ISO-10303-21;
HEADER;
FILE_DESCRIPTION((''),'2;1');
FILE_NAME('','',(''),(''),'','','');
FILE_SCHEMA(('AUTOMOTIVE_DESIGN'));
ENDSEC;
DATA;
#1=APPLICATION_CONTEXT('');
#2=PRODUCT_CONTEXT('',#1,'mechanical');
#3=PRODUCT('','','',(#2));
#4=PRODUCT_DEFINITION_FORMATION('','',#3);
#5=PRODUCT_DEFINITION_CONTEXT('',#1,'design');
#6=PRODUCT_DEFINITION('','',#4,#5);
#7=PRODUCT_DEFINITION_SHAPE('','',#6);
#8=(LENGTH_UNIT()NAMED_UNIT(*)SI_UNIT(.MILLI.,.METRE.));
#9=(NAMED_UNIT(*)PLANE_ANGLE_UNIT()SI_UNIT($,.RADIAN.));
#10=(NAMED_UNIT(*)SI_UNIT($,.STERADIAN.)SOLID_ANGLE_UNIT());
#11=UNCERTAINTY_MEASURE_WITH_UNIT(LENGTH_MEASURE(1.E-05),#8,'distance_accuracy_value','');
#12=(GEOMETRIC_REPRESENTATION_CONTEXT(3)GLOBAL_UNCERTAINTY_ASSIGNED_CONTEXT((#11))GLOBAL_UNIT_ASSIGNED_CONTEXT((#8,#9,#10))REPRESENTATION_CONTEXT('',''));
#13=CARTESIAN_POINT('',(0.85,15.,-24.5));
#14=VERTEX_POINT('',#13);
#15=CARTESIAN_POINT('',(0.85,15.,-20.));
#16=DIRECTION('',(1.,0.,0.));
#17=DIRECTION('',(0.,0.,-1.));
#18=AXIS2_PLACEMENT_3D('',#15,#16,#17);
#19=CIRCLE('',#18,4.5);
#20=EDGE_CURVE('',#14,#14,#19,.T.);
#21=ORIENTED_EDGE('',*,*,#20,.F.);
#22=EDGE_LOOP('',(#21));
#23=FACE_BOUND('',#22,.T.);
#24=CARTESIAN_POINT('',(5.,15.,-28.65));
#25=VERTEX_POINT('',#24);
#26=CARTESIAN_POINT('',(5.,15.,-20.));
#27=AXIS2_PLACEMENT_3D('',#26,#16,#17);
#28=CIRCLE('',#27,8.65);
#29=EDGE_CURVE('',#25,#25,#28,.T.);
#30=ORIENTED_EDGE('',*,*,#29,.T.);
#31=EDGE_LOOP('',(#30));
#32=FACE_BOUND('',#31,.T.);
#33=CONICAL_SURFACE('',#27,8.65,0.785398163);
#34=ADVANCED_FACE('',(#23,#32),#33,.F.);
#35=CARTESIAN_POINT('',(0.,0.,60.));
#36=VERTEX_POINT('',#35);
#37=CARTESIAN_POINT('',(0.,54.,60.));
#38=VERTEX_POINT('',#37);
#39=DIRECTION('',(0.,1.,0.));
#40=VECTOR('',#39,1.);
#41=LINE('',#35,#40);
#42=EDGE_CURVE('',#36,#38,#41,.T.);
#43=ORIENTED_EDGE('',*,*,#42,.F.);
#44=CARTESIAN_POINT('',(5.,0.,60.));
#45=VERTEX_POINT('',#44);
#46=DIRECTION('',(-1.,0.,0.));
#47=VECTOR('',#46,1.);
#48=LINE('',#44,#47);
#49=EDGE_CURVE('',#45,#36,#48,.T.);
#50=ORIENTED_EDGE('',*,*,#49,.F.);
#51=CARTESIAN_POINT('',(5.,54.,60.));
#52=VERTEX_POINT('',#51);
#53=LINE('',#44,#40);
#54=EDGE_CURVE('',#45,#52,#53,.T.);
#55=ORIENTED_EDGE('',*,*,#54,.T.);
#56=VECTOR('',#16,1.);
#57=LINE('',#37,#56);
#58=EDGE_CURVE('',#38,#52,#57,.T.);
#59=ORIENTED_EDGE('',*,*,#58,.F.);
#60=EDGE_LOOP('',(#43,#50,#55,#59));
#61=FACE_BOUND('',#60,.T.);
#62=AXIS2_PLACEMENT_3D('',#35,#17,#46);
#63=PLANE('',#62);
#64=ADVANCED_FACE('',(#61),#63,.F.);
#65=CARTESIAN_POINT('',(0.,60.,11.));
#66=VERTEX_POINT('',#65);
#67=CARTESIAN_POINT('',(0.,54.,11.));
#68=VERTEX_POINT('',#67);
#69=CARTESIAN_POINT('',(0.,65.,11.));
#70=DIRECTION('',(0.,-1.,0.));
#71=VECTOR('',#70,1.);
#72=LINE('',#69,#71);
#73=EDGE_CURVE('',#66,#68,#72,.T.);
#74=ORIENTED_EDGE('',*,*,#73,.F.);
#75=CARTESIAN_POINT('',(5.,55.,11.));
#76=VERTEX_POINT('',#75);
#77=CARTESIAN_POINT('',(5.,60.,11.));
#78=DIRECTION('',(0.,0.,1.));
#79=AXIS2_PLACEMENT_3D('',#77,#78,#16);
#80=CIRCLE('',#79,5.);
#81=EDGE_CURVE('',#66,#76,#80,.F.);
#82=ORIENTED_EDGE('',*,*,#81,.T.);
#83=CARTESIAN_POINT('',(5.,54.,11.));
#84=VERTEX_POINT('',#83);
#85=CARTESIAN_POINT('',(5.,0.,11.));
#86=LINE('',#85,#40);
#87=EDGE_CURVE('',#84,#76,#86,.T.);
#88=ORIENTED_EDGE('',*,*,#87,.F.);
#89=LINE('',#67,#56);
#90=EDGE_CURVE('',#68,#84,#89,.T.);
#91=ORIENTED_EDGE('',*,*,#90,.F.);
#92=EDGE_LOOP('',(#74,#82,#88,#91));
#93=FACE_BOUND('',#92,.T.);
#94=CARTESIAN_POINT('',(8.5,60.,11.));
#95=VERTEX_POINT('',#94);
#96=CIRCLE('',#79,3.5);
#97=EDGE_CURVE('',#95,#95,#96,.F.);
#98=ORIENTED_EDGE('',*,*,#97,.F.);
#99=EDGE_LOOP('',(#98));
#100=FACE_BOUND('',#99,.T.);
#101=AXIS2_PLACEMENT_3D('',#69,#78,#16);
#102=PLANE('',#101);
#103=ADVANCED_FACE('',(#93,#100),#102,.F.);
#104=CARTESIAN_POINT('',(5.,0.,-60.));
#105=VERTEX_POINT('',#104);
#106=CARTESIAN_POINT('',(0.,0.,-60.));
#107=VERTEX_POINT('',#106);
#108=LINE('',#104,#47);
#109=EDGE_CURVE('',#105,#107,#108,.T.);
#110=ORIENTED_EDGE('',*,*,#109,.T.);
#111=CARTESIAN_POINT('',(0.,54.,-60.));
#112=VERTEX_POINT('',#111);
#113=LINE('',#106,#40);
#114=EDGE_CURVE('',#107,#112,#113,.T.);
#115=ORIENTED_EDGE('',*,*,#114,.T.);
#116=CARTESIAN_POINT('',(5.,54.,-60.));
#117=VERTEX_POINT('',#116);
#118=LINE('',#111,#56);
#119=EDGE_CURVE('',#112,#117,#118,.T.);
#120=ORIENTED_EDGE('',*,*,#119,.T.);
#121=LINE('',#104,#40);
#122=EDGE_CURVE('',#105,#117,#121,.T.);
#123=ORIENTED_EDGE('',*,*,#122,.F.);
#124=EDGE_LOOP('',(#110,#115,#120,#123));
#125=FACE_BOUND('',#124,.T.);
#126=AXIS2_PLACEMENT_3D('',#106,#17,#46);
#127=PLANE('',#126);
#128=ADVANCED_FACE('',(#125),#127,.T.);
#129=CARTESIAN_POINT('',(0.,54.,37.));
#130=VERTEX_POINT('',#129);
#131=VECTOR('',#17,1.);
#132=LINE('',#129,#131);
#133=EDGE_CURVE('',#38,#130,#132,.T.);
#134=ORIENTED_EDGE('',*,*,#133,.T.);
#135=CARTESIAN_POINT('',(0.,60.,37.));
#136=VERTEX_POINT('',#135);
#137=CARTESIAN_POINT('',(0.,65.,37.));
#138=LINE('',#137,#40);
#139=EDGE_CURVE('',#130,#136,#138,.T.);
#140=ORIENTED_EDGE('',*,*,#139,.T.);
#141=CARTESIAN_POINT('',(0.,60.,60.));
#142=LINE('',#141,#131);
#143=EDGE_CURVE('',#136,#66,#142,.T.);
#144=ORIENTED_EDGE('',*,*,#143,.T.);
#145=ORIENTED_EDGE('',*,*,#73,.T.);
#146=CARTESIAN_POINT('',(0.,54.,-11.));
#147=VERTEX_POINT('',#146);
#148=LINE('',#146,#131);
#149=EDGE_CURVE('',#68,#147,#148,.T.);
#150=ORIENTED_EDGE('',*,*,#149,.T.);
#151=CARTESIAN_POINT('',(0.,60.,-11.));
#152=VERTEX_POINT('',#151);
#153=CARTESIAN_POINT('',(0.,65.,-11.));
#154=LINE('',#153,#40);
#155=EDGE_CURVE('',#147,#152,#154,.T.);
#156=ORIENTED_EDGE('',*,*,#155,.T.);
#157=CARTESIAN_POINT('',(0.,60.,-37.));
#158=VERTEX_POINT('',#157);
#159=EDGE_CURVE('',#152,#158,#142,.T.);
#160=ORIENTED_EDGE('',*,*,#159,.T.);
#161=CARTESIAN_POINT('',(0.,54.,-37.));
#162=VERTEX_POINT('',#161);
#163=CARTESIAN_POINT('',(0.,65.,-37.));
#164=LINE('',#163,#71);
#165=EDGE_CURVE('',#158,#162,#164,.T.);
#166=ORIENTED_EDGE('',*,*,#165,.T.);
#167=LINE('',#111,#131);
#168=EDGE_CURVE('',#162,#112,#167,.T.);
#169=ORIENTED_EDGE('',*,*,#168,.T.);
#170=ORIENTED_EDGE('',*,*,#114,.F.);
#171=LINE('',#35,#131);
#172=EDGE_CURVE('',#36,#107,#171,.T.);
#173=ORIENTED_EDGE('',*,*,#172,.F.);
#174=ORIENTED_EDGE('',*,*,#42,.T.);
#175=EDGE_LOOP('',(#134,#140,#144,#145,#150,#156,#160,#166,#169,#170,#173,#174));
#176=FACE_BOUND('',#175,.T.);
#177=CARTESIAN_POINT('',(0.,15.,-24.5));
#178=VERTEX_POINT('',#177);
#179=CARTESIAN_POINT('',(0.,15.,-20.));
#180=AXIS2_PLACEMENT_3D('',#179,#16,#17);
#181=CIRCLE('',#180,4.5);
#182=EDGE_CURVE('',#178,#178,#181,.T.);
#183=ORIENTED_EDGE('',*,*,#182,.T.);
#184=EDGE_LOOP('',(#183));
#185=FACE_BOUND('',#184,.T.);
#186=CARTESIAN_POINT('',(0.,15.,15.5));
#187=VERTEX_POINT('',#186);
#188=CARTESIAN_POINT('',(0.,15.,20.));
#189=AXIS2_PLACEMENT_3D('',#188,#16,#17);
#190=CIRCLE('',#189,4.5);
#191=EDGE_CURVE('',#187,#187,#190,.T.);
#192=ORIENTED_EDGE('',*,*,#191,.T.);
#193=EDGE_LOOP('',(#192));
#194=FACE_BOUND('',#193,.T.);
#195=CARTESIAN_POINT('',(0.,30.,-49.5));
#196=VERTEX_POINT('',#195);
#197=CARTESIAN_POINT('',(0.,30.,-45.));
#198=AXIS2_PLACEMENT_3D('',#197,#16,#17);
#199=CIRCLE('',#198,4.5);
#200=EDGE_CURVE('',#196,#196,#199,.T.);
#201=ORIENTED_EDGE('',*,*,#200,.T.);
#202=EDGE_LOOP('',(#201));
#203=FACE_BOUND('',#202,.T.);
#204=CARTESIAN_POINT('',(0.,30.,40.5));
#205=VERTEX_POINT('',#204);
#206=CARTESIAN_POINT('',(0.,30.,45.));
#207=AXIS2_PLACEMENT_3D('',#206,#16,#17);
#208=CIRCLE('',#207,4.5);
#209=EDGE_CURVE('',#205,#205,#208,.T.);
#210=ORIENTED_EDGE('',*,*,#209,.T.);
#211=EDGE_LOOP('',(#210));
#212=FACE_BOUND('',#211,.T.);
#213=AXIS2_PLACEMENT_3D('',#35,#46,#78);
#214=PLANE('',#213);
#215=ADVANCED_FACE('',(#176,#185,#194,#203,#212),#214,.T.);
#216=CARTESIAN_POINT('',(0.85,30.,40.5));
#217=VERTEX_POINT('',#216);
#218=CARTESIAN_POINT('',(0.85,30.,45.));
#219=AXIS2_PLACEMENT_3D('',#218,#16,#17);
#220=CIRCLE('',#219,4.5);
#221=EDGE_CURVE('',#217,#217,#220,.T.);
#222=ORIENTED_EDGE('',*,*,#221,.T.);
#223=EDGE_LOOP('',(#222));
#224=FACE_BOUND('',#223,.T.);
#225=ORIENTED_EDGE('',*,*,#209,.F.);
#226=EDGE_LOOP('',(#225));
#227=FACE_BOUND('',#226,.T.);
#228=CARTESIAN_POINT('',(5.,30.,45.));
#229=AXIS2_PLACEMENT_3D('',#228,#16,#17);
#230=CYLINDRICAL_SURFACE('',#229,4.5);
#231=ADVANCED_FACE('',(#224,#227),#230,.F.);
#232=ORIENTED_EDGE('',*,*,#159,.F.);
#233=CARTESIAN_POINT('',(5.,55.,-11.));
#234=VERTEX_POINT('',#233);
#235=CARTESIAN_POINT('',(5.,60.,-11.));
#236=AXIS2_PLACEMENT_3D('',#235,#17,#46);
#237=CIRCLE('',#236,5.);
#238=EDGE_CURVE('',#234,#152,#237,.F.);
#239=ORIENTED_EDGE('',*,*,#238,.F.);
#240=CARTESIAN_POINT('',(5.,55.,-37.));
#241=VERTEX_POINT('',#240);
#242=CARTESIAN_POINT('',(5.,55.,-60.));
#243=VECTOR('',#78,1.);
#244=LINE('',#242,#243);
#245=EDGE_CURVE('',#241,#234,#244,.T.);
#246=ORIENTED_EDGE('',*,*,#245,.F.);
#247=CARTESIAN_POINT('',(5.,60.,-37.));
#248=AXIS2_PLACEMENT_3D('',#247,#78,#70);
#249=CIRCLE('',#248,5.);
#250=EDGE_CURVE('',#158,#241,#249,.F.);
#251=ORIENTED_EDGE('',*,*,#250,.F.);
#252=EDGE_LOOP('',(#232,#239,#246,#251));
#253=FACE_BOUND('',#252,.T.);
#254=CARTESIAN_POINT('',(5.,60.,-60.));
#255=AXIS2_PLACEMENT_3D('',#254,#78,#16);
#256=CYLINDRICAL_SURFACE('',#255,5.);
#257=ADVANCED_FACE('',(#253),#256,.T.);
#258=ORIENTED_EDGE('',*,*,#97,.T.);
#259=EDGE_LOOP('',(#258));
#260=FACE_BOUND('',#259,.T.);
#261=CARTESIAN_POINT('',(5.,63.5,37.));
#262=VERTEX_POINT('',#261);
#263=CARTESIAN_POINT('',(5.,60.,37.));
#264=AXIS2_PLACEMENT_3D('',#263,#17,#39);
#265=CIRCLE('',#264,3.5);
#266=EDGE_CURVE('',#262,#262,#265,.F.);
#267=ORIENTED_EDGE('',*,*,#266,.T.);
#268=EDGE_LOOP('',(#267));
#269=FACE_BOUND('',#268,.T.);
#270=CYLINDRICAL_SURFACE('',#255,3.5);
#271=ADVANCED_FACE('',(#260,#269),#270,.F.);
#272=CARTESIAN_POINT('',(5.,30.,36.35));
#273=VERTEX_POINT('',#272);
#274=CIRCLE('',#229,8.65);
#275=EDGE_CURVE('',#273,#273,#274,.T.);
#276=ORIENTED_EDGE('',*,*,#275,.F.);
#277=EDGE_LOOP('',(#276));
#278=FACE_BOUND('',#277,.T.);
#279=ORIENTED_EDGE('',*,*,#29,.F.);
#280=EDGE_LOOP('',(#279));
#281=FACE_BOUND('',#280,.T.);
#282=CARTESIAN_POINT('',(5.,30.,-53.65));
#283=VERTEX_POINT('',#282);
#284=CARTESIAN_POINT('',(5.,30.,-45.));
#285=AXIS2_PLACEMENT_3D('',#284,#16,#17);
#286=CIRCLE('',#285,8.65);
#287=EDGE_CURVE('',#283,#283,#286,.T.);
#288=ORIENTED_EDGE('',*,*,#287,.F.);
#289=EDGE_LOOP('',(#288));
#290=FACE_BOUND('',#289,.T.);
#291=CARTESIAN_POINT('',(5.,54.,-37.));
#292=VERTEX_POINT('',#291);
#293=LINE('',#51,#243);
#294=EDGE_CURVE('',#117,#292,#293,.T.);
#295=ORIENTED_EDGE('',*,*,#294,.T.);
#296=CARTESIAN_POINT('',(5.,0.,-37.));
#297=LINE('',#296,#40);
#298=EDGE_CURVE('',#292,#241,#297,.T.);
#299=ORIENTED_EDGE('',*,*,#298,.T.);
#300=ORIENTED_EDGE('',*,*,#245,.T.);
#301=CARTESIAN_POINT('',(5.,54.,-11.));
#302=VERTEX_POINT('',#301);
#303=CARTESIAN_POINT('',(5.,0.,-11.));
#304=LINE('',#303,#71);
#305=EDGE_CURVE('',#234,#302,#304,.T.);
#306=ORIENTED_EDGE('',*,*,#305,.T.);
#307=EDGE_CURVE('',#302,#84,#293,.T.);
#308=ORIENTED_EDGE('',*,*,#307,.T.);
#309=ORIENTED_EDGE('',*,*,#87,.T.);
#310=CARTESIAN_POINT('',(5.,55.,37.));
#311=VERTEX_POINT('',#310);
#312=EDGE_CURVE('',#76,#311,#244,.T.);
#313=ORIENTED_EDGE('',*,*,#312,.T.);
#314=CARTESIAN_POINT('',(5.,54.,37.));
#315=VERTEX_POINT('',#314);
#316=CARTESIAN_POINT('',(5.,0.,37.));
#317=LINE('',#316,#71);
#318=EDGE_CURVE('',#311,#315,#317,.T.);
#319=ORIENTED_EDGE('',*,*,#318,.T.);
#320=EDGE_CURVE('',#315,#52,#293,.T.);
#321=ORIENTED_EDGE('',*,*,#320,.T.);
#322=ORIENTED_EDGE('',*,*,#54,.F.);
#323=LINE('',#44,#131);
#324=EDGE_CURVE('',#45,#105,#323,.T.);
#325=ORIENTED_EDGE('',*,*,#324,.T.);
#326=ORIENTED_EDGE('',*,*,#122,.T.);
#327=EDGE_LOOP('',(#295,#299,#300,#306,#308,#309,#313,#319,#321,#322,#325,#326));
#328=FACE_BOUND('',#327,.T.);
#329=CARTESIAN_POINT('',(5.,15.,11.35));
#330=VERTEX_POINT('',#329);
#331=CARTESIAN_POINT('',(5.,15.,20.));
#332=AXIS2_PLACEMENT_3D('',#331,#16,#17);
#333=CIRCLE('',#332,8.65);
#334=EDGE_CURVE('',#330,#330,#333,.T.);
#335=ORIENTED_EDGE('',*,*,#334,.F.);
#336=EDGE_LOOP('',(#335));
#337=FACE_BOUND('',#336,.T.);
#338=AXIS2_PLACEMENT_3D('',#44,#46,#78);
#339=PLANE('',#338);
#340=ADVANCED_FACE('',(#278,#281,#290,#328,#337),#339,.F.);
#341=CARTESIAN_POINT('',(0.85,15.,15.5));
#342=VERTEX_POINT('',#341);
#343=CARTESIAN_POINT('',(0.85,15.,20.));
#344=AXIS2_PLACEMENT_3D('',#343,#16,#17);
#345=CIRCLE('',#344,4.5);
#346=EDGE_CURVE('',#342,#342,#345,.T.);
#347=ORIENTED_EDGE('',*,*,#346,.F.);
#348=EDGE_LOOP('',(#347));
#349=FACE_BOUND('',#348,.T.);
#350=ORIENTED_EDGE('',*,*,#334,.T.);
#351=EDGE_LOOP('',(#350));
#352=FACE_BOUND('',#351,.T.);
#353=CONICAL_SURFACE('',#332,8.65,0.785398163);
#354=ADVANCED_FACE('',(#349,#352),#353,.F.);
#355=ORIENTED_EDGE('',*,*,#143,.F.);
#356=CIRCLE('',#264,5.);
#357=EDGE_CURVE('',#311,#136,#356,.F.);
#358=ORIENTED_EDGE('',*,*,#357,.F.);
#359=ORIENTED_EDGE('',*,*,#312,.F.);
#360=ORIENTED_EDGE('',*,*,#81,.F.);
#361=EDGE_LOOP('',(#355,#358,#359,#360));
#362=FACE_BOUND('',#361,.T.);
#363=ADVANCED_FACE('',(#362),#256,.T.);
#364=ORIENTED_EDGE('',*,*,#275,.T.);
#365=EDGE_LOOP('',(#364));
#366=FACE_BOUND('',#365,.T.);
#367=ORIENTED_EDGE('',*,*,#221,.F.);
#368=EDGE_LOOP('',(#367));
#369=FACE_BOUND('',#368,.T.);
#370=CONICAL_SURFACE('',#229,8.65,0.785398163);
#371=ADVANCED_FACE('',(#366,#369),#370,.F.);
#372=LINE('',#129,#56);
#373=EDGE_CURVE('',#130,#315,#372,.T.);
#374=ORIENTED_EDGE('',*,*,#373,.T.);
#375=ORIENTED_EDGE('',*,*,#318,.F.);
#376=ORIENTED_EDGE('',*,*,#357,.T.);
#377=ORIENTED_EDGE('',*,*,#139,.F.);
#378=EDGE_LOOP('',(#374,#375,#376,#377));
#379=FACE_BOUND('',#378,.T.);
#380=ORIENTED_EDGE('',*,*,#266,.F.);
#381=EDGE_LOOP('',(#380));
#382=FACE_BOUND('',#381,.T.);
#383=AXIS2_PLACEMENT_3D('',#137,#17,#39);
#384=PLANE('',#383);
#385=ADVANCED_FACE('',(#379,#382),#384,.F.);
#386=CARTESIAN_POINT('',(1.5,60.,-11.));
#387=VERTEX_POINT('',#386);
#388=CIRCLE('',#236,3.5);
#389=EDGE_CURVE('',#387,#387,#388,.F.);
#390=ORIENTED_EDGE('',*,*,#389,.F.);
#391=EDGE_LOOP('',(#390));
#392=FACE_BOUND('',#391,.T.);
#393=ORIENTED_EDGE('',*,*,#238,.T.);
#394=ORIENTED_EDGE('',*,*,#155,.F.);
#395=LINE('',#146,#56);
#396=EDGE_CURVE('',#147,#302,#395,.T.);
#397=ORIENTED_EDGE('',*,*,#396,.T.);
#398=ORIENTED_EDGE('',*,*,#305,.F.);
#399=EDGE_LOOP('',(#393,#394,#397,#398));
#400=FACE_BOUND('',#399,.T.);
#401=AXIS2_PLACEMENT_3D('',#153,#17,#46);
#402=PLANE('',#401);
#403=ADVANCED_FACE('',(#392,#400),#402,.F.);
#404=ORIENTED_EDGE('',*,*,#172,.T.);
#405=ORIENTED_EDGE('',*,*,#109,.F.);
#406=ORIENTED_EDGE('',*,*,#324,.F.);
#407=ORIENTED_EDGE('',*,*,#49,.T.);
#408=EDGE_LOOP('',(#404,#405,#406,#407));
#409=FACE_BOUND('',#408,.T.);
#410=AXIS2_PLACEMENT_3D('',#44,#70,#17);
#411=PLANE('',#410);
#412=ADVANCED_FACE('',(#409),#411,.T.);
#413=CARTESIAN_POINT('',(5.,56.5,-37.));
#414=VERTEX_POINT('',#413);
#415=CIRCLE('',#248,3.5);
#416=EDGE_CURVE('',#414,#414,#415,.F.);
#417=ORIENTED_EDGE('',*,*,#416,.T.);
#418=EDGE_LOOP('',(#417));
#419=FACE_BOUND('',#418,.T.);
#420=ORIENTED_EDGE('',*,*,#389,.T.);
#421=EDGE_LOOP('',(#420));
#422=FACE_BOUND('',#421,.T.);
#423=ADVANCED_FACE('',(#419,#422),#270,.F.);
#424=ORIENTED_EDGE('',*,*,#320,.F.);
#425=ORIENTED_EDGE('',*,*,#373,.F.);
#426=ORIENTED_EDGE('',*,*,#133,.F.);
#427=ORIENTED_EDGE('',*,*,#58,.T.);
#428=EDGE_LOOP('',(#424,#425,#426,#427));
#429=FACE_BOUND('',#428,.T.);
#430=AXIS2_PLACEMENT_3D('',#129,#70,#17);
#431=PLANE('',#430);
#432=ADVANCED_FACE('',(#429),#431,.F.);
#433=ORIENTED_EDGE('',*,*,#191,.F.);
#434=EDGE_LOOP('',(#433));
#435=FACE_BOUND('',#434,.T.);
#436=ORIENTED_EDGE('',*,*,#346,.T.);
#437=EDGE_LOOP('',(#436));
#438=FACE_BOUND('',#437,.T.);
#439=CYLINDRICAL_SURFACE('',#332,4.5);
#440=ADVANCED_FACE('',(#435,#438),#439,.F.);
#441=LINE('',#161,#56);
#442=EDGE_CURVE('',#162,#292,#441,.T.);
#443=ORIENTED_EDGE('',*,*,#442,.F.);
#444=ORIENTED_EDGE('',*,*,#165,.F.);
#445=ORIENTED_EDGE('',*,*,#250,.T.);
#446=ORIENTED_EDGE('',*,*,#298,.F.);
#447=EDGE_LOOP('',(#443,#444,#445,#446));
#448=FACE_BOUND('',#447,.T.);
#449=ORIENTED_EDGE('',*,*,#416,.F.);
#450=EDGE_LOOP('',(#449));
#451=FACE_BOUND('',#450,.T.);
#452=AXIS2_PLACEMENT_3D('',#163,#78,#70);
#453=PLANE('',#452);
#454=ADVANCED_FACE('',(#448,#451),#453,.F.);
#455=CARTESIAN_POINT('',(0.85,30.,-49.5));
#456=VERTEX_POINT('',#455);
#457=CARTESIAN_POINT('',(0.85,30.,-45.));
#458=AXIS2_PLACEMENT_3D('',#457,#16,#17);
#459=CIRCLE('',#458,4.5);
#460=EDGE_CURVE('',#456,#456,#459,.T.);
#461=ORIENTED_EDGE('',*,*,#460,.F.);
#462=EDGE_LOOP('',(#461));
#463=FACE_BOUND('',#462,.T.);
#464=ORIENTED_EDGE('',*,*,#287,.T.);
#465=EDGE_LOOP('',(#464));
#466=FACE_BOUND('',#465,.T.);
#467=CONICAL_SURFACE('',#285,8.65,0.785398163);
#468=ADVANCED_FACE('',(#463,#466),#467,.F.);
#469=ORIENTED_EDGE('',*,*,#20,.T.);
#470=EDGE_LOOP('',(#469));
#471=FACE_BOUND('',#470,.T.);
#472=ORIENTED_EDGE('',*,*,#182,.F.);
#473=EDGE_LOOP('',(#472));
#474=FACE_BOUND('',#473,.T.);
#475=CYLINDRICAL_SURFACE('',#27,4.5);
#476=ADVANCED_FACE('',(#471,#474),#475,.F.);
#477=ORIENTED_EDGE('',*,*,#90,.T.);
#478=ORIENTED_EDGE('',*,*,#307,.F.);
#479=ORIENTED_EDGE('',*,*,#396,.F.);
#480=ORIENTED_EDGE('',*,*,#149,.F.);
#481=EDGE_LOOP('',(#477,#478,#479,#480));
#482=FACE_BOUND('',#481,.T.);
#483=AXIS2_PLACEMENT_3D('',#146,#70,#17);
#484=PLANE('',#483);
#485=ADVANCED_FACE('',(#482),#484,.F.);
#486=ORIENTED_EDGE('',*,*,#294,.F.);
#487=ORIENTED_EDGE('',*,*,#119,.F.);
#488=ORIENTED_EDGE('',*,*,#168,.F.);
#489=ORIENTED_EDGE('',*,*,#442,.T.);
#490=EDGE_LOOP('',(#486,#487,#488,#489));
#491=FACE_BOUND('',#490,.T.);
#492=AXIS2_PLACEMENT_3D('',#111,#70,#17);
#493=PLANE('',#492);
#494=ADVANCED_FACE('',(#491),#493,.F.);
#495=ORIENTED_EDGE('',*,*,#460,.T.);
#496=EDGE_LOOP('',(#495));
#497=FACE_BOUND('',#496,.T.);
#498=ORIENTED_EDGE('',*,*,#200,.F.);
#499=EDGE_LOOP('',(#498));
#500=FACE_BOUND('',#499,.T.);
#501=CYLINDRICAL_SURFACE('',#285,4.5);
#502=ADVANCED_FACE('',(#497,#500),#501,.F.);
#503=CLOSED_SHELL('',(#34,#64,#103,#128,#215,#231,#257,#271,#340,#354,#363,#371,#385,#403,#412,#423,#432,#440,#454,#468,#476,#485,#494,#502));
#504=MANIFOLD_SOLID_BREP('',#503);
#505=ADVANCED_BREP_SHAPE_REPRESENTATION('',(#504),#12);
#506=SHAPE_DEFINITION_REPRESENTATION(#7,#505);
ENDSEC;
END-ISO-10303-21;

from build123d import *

# Parameters (mm, degrees)
SKETCH_1_W                 = 5
SKETCH_1_H                 = 60
EXTRUDE_1_DEPTH            = 60
SKETCH_2_R                 = 5
SKETCH_4_R                 = 3.5
CUT_EXTRUDE_1_DEPTH        = 137.839321834
HOLE_WIZARD_M81_AT_2_COUNT = 2
HOLE_WIZARD_M81_AT_2_PITCH = 29.154759474
CUT_EXTRUDE_2_DEPTH        = 89.600225733
CUT_EXTRUDE_2_DEPTH_BACK   = 89.600225733
SKETCH_7_W                 = 23
SKETCH_7_H                 = 11
SKETCH_7_W_2               = 22


with BuildPart() as part:
    # Эскиз1 → Вытянуть-Тонкостенный1 (new, symmetric)
    with BuildSketch(Plane.XY):
        with Locations((2.5, 30)):
            Rectangle(SKETCH_1_W, SKETCH_1_H)
    extrude(amount=EXTRUDE_1_DEPTH, both=True)

    # По траектории1: sweep along a curve in space
    with BuildLine() as sweep_1_path:
        Line((5, 60, 60), (5, 60, -60))
    # Эскиз2 → По траектории1 (sweep)
    with BuildSketch(Plane.XY.offset(60)):
        with Locations((5, 60)):
            Circle(SKETCH_2_R)
    sweep(path=sweep_1_path.line)

    # Эскиз4 → Вырез-Вытянуть1 (cut, through all)
    with BuildSketch(Plane.XY.offset(60)):
        with Locations((5, 60)):
            Circle(SKETCH_4_R)
    extrude(amount=-CUT_EXTRUDE_1_DEPTH, mode=Mode.SUBTRACT)

    # Эскиз5 → Зенковка для  винта с плоской головкой M81 (revolve, cut)
    with BuildSketch(Plane(origin=(5, 30, 45), x_dir=(0, 0, -1), z_dir=(0, 1, 0))):
        Polygon((0, 0), (0, 5), (4.5, 5), (4.5, 4.15), (8.65, 0), align=None)
    hole_wizard_m81 = revolve(axis=Axis((11.35, 30, 45), (-1, 0, 0)), mode=Mode.SUBTRACT)

    # Зенковка для  винта с плоской головкой M81 at 2: Зенковка для  винта с плоской головкой M81 ×2
    with Locations(*[Vector(0, -0.5144957554275265, -0.8574929257125442) * (i * HOLE_WIZARD_M81_AT_2_PITCH) for i in range(1, HOLE_WIZARD_M81_AT_2_COUNT)]):
        add(hole_wizard_m81, mode=Mode.SUBTRACT)

    # Зеркальное отражение1: Зенковка для  винта с плоской головкой M81 across plane
    add(hole_wizard_m81.mirror(Plane.XY), mode=Mode.SUBTRACT)

    # Зеркальное отражение1 copy 1 sketch → Зеркальное отражение1 copy 1 (revolve, cut)
    with BuildSketch(Plane(origin=(5, 15, -20), x_dir=(0, 0, 1), z_dir=(0, 1, 0))):
        Polygon((0, 0), (0, -5), (4.5, -5), (4.5, -4.15), (8.65, 0), align=None)
    revolve(axis=Axis((11.35, 15, -20), (1, 0, 0)), mode=Mode.SUBTRACT)

    # Эскиз7 → Вырез-Вытянуть2 (cut, two sides: drawn at the far end of the back side and taken through both)
    with BuildSketch(Plane(origin=(5, 0, 0), x_dir=(0, 0, -1), z_dir=(1, 0, 0)).offset(-CUT_EXTRUDE_2_DEPTH_BACK)):
        with Locations((48.5, 59.5)):
            Rectangle(SKETCH_7_W, SKETCH_7_H)
        with Locations((-48.5, 59.5)):
            Rectangle(SKETCH_7_W, SKETCH_7_H)
        with Locations((0, 59.5)):
            Rectangle(SKETCH_7_W_2, SKETCH_7_H)
    extrude(amount=CUT_EXTRUDE_2_DEPTH + CUT_EXTRUDE_2_DEPTH_BACK, mode=Mode.SUBTRACT)


solid = part.part
